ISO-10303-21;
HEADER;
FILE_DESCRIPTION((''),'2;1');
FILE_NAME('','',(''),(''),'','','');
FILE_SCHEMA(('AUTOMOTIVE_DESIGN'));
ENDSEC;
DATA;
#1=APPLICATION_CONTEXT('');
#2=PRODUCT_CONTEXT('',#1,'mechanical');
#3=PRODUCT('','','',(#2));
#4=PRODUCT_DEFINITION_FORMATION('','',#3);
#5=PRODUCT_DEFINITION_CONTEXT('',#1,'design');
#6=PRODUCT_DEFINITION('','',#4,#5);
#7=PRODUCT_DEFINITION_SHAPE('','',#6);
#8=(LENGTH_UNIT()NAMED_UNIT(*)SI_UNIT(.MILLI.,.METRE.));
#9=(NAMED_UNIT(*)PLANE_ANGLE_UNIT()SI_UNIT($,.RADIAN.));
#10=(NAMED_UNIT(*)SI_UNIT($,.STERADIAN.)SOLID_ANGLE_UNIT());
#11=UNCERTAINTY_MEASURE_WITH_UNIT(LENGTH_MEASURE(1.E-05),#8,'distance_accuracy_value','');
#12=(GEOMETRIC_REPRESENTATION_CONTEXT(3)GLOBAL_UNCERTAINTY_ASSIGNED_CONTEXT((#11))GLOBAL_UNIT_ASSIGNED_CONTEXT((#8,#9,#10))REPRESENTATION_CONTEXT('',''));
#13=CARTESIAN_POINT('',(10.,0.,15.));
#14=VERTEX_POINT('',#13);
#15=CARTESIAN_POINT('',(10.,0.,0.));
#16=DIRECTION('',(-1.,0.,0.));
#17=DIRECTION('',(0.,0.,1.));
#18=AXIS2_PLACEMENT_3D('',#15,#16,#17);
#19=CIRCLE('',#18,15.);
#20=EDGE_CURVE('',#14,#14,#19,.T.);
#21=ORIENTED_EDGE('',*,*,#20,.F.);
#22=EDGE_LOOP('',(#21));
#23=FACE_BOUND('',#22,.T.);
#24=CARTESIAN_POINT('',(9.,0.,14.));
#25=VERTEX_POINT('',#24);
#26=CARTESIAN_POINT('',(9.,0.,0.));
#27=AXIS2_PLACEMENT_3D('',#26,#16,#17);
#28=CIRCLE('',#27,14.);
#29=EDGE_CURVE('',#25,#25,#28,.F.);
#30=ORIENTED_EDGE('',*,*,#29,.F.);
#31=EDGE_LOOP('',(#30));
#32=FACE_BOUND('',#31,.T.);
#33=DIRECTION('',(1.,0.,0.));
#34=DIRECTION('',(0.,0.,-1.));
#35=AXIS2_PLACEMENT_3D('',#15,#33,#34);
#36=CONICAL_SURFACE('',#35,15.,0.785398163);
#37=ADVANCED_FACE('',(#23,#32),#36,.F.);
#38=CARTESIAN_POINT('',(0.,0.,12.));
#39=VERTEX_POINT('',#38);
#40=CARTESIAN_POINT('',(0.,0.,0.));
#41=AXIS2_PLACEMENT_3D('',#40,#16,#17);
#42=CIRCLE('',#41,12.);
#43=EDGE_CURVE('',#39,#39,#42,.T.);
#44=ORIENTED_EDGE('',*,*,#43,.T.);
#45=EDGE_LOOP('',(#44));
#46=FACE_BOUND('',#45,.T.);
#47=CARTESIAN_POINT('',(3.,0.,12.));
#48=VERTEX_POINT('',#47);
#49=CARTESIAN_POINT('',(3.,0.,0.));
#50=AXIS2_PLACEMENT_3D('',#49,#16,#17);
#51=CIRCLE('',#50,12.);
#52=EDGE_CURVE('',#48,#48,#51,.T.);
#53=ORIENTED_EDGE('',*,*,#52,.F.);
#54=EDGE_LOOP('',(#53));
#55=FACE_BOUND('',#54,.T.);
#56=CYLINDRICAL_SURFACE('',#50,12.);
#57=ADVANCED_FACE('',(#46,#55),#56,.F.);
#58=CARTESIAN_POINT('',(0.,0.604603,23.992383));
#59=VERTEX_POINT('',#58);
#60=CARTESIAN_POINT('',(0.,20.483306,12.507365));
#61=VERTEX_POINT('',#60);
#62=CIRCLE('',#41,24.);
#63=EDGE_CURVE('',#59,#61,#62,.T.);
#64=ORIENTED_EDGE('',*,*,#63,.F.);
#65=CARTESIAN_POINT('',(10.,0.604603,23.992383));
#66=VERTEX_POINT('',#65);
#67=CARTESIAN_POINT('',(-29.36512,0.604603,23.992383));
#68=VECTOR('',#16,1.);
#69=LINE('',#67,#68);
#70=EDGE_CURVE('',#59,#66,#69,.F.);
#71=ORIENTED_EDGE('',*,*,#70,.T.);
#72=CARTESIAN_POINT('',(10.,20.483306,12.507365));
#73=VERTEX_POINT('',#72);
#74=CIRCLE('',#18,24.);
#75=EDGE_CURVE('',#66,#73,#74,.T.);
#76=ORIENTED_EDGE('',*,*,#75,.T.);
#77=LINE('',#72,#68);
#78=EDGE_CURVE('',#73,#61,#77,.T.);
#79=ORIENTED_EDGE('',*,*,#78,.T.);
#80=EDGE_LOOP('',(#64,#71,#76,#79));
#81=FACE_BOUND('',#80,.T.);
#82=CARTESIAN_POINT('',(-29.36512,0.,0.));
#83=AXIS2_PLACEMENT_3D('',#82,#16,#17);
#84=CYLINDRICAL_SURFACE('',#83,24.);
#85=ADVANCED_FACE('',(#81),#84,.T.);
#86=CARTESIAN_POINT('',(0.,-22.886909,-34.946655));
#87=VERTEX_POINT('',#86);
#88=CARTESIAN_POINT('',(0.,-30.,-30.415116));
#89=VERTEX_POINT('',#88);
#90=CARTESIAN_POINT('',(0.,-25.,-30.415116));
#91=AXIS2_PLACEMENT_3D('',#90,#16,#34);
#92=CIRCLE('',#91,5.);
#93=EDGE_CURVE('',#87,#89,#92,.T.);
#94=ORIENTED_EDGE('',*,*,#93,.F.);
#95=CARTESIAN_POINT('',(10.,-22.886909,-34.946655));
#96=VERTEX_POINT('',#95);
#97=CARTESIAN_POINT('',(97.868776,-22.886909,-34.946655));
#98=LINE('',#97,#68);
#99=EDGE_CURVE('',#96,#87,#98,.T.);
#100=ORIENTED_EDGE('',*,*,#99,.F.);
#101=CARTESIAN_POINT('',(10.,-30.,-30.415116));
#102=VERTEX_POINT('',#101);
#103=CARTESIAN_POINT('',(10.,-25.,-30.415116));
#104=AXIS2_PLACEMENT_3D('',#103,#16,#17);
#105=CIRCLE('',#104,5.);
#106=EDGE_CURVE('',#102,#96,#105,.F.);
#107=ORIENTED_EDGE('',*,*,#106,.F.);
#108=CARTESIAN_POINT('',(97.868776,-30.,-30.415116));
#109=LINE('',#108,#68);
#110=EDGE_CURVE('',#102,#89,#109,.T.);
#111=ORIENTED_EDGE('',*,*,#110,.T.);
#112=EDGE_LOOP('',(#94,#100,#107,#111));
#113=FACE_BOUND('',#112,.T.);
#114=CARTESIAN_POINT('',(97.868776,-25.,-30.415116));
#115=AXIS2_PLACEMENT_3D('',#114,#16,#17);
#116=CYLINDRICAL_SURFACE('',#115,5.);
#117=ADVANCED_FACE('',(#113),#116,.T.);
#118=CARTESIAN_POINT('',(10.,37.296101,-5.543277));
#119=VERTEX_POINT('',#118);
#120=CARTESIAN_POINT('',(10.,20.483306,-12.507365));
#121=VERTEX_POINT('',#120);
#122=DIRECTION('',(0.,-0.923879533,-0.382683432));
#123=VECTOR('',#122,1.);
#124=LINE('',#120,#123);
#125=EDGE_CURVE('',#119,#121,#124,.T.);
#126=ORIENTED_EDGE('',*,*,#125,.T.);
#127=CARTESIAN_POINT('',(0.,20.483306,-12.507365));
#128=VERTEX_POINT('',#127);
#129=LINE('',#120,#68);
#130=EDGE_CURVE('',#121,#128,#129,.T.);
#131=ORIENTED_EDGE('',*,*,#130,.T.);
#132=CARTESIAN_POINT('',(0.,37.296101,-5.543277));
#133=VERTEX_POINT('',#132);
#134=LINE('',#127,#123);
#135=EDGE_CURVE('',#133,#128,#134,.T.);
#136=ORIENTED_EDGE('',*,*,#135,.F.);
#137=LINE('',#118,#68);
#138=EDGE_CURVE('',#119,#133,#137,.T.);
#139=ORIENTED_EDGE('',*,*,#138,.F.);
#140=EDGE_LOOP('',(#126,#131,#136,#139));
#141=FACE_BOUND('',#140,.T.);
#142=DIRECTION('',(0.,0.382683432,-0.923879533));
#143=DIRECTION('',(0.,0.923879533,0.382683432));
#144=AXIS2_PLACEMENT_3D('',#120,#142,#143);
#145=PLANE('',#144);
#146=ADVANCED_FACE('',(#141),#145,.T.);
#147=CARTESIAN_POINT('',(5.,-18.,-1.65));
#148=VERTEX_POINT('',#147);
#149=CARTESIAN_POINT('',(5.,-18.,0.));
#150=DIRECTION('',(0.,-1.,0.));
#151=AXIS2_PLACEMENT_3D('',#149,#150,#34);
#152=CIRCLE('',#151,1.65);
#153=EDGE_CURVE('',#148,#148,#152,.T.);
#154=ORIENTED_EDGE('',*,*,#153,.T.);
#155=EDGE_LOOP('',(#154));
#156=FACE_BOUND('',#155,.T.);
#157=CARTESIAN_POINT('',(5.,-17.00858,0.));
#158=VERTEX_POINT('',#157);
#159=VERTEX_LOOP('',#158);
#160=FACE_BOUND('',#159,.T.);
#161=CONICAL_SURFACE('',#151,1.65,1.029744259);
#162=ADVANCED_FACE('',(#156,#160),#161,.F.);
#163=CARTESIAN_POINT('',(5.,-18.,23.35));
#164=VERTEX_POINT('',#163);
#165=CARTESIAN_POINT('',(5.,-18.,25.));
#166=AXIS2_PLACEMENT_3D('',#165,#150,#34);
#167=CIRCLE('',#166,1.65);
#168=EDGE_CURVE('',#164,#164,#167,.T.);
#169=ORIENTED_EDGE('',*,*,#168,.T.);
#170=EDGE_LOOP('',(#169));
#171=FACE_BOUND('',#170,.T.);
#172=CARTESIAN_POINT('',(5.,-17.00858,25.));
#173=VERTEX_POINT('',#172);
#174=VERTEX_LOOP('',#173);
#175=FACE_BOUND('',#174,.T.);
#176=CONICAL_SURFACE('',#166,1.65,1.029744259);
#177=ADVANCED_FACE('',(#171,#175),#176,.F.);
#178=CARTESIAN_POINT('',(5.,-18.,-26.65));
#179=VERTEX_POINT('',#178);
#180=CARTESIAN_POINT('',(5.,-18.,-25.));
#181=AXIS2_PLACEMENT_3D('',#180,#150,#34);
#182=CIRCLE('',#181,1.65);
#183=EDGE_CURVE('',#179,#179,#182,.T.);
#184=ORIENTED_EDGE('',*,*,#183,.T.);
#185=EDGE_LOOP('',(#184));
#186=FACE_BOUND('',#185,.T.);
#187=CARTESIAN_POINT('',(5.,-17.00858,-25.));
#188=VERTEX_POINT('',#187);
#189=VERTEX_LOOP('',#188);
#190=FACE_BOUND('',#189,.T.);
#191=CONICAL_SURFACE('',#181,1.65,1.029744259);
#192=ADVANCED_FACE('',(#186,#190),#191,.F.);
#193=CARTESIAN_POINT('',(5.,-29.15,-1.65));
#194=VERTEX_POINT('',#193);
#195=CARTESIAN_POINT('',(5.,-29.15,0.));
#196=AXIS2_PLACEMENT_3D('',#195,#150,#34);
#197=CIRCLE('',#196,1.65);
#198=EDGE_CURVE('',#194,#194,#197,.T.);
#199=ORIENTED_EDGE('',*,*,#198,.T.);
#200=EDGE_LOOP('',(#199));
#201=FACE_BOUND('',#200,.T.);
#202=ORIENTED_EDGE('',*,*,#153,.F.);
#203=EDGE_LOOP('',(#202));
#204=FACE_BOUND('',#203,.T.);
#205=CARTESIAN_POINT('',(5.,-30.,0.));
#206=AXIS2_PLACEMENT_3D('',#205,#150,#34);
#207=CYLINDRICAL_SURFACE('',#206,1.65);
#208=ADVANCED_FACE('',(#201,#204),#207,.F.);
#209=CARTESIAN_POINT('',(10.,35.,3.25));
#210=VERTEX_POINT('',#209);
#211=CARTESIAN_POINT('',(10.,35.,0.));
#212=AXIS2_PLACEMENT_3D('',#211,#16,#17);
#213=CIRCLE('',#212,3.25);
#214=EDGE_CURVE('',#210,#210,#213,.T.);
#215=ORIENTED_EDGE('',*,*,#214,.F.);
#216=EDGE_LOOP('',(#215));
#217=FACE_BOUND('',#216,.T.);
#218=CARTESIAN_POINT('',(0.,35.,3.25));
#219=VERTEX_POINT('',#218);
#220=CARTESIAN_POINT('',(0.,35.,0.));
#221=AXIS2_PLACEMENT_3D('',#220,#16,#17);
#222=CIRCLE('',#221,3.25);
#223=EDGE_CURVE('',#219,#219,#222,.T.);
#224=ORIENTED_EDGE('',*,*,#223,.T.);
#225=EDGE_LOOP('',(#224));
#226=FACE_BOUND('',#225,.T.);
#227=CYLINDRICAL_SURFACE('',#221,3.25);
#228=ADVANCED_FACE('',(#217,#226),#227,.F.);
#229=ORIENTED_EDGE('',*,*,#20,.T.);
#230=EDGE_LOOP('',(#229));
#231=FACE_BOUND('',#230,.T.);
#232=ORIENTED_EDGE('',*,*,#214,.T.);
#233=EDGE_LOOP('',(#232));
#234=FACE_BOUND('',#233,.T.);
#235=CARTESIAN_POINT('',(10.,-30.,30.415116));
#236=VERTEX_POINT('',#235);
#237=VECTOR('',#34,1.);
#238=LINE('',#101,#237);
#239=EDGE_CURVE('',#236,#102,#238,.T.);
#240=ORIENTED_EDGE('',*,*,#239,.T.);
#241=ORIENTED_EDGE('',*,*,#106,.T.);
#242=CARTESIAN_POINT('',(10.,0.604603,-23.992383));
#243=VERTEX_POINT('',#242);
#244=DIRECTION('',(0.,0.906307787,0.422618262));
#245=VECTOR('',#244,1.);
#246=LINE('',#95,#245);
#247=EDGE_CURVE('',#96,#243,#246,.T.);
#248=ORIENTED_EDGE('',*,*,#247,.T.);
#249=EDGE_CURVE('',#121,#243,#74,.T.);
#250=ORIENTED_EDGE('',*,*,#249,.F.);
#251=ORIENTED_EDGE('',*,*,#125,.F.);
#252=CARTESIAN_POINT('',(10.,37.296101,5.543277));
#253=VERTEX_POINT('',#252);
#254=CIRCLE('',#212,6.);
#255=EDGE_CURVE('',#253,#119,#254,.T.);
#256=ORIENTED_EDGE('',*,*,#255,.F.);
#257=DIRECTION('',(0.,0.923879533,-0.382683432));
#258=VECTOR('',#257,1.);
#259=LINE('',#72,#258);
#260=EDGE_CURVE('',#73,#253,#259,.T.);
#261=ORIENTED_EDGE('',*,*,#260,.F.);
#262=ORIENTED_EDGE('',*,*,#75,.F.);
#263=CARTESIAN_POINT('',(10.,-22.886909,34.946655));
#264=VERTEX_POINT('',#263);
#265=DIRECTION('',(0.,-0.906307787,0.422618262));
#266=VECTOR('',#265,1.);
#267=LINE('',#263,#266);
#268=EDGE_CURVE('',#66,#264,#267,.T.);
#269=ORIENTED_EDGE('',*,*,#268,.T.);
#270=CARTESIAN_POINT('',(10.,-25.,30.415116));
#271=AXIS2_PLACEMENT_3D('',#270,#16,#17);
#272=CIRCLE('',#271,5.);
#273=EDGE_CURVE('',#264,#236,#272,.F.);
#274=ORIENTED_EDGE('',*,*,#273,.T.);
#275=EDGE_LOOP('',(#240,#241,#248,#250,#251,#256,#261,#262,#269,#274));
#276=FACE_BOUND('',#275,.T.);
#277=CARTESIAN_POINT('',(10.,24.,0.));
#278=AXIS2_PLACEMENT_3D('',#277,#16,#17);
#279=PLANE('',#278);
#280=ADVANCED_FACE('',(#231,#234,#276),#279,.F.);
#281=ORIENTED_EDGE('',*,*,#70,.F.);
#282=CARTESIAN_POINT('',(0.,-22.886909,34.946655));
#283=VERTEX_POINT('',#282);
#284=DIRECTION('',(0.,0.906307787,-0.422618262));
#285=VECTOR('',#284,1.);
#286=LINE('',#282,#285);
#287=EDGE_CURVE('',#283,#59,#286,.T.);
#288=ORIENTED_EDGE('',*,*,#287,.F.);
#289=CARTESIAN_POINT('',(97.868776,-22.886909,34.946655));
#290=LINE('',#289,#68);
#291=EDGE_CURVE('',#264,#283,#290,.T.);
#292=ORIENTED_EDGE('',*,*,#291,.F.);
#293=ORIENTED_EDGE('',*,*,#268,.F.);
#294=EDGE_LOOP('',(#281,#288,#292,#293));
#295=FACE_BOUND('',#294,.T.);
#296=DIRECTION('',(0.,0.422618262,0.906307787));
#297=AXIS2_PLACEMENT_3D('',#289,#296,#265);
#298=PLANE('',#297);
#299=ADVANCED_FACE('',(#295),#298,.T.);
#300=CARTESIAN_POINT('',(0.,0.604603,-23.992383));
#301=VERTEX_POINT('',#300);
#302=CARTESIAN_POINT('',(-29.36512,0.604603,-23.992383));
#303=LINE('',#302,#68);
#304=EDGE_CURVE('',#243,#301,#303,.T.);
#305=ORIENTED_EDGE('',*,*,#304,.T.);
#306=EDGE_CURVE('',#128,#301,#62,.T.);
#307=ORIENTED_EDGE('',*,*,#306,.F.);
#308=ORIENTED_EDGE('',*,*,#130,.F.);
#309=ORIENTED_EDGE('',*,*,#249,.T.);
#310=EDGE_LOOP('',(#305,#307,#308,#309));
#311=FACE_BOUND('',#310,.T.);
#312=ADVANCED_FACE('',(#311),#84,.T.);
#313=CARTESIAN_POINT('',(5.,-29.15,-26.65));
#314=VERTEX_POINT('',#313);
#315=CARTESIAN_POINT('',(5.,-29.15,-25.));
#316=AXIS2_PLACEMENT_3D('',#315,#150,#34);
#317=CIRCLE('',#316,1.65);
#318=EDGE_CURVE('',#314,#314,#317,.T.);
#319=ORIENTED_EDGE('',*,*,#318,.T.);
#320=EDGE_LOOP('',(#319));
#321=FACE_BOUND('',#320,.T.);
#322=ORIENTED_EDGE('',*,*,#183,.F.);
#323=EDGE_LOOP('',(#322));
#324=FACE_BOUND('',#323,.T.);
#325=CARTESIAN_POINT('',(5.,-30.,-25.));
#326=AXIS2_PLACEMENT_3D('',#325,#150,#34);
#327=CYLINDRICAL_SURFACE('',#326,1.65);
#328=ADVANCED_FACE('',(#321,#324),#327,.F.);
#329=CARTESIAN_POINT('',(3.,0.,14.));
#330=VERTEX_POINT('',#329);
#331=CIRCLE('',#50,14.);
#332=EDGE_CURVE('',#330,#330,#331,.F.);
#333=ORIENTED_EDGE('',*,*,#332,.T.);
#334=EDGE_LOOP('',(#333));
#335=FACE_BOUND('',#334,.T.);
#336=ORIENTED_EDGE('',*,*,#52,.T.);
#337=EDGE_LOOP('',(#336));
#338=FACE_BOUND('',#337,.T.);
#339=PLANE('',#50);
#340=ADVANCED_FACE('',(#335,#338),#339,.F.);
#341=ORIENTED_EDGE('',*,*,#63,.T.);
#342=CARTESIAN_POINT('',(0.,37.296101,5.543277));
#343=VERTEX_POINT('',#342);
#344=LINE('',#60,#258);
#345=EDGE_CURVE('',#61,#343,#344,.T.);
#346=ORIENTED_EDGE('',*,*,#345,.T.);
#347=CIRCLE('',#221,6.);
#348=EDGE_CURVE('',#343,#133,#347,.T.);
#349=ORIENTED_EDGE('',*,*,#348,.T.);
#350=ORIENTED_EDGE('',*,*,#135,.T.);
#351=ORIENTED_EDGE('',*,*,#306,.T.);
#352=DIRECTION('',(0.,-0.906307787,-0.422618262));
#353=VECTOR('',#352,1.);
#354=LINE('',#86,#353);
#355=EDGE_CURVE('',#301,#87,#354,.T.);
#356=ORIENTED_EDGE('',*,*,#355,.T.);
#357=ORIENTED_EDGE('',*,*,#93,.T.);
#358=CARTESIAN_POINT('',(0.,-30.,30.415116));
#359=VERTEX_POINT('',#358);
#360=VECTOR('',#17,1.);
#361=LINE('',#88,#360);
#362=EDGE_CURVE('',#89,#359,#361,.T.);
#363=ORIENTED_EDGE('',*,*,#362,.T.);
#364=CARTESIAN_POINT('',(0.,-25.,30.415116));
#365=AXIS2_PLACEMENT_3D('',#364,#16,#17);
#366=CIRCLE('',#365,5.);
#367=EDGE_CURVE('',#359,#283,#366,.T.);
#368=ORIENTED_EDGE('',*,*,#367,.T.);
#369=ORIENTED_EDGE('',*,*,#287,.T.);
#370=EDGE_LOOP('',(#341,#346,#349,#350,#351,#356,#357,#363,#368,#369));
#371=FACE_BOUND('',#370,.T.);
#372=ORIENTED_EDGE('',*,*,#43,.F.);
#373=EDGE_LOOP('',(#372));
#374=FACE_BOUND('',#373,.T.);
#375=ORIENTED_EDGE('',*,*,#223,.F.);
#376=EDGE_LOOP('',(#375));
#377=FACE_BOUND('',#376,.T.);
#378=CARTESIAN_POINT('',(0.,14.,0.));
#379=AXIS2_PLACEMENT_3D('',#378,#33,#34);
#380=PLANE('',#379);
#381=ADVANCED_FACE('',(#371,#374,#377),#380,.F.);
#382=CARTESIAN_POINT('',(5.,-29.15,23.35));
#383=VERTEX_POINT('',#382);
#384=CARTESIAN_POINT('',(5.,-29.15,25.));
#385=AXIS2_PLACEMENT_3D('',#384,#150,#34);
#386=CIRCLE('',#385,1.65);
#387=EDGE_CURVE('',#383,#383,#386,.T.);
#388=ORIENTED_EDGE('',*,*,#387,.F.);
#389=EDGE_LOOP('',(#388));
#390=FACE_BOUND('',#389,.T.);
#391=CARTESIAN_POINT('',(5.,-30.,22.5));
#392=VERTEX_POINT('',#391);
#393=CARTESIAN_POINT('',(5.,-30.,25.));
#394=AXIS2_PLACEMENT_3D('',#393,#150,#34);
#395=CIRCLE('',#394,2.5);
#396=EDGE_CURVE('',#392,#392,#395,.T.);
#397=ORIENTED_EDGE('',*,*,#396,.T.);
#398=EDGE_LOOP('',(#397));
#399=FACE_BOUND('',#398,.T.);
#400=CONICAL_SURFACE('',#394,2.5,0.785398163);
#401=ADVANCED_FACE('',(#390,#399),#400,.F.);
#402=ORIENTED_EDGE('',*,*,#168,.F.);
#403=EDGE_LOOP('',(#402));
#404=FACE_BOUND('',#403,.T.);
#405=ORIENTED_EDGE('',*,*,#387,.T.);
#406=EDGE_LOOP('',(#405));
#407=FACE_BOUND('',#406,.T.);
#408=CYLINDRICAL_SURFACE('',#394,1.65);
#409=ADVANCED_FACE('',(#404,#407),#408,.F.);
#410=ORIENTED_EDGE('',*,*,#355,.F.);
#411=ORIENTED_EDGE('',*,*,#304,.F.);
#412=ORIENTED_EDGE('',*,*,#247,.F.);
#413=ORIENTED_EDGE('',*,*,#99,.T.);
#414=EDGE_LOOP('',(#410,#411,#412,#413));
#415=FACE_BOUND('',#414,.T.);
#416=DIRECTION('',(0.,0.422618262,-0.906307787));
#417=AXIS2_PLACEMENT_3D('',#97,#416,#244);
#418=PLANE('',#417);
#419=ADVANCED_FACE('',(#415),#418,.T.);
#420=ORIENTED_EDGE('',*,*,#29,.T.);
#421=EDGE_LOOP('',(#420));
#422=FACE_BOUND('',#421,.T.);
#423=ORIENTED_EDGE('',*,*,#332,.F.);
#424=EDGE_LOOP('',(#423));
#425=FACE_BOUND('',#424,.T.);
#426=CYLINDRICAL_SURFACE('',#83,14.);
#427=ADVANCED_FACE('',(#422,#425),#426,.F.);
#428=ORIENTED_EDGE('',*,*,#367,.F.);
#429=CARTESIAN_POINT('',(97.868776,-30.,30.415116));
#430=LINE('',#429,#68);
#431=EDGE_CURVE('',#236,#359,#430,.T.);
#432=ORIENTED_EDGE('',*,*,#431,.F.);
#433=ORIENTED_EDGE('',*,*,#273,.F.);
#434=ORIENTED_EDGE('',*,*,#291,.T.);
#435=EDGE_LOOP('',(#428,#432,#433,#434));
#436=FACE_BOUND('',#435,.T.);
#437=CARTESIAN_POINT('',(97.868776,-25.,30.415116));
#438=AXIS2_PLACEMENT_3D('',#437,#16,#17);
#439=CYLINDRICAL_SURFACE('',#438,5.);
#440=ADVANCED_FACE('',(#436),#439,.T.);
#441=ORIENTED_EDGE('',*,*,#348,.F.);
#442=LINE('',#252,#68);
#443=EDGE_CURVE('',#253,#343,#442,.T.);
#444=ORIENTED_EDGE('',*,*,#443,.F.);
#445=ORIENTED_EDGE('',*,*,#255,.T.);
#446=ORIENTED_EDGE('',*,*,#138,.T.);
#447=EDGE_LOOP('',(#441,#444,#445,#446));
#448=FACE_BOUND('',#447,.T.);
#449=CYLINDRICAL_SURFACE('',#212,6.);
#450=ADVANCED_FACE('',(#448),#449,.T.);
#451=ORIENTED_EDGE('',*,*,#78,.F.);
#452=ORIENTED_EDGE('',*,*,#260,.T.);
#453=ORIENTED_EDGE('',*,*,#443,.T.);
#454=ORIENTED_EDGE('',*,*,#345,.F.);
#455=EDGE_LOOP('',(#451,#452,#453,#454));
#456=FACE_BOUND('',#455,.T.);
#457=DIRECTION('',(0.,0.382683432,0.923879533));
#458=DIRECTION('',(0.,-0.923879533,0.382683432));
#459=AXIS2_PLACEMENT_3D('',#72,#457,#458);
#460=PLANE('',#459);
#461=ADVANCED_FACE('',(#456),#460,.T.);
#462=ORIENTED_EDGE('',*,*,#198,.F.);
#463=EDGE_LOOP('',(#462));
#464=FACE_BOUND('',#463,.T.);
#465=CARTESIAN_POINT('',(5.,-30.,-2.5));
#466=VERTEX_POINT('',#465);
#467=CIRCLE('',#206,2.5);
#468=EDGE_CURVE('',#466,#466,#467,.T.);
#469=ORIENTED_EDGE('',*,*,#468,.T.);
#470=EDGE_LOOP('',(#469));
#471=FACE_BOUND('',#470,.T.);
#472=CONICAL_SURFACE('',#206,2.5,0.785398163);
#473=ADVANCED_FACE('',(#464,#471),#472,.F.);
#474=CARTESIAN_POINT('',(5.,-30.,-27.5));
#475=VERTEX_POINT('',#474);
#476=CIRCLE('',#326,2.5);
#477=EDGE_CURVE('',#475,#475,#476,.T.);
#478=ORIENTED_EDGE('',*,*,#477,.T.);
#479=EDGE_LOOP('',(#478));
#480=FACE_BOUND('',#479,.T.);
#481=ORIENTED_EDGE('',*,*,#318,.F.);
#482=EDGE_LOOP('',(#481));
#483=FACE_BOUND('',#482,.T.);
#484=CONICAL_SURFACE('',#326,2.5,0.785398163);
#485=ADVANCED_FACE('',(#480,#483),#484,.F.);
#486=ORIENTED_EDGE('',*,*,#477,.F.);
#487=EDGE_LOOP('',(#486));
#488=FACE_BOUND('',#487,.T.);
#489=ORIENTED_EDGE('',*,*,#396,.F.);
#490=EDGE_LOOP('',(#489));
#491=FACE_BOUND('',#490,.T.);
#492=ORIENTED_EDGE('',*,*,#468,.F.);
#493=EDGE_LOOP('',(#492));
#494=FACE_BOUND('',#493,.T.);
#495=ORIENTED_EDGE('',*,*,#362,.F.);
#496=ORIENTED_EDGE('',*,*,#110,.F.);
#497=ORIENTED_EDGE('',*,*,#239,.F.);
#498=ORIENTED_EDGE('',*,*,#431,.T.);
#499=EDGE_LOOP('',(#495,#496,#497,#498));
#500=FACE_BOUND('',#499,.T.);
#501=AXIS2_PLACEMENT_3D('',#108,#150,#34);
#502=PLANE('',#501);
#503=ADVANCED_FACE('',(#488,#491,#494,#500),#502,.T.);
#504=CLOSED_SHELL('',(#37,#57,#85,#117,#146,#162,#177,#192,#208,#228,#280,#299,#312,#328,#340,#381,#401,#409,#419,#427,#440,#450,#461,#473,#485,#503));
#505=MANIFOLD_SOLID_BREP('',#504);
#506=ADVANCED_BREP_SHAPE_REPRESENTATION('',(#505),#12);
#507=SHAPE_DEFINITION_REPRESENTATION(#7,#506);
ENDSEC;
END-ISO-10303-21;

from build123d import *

# Parameters (mm, degrees)
SKETCH_1_W                  = 10
SKETCH_1_H                  = 10
SKETCH_6_R                  = 14
SKETCH_6_R_2                = 12
EXTRUDE_1_DEPTH             = 3
SKETCH_7_R                  = 19.5
EXTRUDE_2_DEPTH             = 10
HOLE_WIZARD_M43_D           = 3.3
HOLE_WIZARD_M43_DEPTH       = 12
HOLE_WIZARD_M43_CSINK_D     = 5
HOLE_WIZARD_M43_CSINK_ANGLE = 90
HOLE_WIZARD_M43_TIP         = 0.991420021
EXTRUDE_START               = -10
EXTRUDE_3_DEPTH             = 10
HOLE_WIZARD_M61_D           = 6.5
CHAMFER_1_SIZE              = 1


with BuildPart() as part:
    # Эскиз1 → Повернуть1 (revolve)
    with BuildSketch(Plane.XY, mode=Mode.PRIVATE) as revolve_1_sk:
        with Locations((5, 19)):
            Rectangle(SKETCH_1_W, SKETCH_1_H)
    revolve(revolve_1_sk.sketch.rotate(Axis((-29.36512031, 0, 0), (1, 0, 0)), 90), axis=Axis((-29.36512031, 0, 0), (1, 0, 0)))

    # Эскиз6 → Бобышка-Вытянуть1 (add)
    with BuildSketch(Plane.ZY):
        Circle(SKETCH_6_R)
        Circle(SKETCH_6_R_2, mode=Mode.SUBTRACT)
    extrude(amount=-EXTRUDE_1_DEPTH)

    # Эскиз7 → Бобышка-Вытянуть2 (add)
    with BuildSketch(Plane.ZY):
        with BuildLine():
            Line((-30.415116076, -30), (30.415116076, -30))
            ThreePointArc((30.415116076, -30), (34.632073305, -27.686498042), (34.946655011, -22.886908691))
            Line((34.946655011, -22.886908691), (19.938771315, 9.297601758))
            ThreePointArc((19.938771315, 9.297601758), (0, 22), (-19.938771315, 9.297601758))
            Line((-19.938771315, 9.297601758), (-34.946655011, -22.886908691))
            ThreePointArc((-34.946655011, -22.886908691), (-34.632073305, -27.686498042), (-30.415116076, -30))
        make_face()
        Circle(SKETCH_7_R, mode=Mode.SUBTRACT)
    extrude(amount=-EXTRUDE_2_DEPTH)

    # Отверстие обработанное метчиком M43
    with Locations(Plane(origin=(0, -30, 0), x_dir=(-1, 0, 0), z_dir=(0, -1, 0))):
        with Locations((-5, 0), (-5, 25), (-5, -25)):
            CounterSinkHole(HOLE_WIZARD_M43_D / 2, HOLE_WIZARD_M43_CSINK_D / 2, depth=HOLE_WIZARD_M43_DEPTH, counter_sink_angle=HOLE_WIZARD_M43_CSINK_ANGLE)
            with Locations((0, 0, -(HOLE_WIZARD_M43_DEPTH + HOLE_WIZARD_M43_TIP / 2))):  # 118° drill point
                Cone(0, HOLE_WIZARD_M43_D / 2, HOLE_WIZARD_M43_TIP, mode=Mode.SUBTRACT)

    # Эскиз10 → Бобышка-Вытянуть3 (add)
    with BuildSketch(Plane.ZY.offset(EXTRUDE_START)):
        with BuildLine():
            Line((-12.507364702, 20.483306086), (-5.543277195, 37.296100594))
            ThreePointArc((-5.543277195, 37.296100594), (0, 41), (5.543277195, 37.296100594))
            Line((5.543277195, 37.296100594), (12.507364702, 20.483306086))
            ThreePointArc((12.507364702, 20.483306086), (0, 24), (-12.507364702, 20.483306086))
        make_face()
    extrude(amount=EXTRUDE_3_DEPTH)

    # Сверло под метчик  спиральное M61 (through all)
    with Locations(Plane.ZY):
        with Locations((0, 35)):
            Hole(HOLE_WIZARD_M61_D / 2)

    # Фаска1
    chamfer_1_edges = [part.edges().sort_by_distance(p)[0] for p in [
        (10, 0, -14),
    ]]
    chamfer(chamfer_1_edges, length=CHAMFER_1_SIZE)


solid = part.part
